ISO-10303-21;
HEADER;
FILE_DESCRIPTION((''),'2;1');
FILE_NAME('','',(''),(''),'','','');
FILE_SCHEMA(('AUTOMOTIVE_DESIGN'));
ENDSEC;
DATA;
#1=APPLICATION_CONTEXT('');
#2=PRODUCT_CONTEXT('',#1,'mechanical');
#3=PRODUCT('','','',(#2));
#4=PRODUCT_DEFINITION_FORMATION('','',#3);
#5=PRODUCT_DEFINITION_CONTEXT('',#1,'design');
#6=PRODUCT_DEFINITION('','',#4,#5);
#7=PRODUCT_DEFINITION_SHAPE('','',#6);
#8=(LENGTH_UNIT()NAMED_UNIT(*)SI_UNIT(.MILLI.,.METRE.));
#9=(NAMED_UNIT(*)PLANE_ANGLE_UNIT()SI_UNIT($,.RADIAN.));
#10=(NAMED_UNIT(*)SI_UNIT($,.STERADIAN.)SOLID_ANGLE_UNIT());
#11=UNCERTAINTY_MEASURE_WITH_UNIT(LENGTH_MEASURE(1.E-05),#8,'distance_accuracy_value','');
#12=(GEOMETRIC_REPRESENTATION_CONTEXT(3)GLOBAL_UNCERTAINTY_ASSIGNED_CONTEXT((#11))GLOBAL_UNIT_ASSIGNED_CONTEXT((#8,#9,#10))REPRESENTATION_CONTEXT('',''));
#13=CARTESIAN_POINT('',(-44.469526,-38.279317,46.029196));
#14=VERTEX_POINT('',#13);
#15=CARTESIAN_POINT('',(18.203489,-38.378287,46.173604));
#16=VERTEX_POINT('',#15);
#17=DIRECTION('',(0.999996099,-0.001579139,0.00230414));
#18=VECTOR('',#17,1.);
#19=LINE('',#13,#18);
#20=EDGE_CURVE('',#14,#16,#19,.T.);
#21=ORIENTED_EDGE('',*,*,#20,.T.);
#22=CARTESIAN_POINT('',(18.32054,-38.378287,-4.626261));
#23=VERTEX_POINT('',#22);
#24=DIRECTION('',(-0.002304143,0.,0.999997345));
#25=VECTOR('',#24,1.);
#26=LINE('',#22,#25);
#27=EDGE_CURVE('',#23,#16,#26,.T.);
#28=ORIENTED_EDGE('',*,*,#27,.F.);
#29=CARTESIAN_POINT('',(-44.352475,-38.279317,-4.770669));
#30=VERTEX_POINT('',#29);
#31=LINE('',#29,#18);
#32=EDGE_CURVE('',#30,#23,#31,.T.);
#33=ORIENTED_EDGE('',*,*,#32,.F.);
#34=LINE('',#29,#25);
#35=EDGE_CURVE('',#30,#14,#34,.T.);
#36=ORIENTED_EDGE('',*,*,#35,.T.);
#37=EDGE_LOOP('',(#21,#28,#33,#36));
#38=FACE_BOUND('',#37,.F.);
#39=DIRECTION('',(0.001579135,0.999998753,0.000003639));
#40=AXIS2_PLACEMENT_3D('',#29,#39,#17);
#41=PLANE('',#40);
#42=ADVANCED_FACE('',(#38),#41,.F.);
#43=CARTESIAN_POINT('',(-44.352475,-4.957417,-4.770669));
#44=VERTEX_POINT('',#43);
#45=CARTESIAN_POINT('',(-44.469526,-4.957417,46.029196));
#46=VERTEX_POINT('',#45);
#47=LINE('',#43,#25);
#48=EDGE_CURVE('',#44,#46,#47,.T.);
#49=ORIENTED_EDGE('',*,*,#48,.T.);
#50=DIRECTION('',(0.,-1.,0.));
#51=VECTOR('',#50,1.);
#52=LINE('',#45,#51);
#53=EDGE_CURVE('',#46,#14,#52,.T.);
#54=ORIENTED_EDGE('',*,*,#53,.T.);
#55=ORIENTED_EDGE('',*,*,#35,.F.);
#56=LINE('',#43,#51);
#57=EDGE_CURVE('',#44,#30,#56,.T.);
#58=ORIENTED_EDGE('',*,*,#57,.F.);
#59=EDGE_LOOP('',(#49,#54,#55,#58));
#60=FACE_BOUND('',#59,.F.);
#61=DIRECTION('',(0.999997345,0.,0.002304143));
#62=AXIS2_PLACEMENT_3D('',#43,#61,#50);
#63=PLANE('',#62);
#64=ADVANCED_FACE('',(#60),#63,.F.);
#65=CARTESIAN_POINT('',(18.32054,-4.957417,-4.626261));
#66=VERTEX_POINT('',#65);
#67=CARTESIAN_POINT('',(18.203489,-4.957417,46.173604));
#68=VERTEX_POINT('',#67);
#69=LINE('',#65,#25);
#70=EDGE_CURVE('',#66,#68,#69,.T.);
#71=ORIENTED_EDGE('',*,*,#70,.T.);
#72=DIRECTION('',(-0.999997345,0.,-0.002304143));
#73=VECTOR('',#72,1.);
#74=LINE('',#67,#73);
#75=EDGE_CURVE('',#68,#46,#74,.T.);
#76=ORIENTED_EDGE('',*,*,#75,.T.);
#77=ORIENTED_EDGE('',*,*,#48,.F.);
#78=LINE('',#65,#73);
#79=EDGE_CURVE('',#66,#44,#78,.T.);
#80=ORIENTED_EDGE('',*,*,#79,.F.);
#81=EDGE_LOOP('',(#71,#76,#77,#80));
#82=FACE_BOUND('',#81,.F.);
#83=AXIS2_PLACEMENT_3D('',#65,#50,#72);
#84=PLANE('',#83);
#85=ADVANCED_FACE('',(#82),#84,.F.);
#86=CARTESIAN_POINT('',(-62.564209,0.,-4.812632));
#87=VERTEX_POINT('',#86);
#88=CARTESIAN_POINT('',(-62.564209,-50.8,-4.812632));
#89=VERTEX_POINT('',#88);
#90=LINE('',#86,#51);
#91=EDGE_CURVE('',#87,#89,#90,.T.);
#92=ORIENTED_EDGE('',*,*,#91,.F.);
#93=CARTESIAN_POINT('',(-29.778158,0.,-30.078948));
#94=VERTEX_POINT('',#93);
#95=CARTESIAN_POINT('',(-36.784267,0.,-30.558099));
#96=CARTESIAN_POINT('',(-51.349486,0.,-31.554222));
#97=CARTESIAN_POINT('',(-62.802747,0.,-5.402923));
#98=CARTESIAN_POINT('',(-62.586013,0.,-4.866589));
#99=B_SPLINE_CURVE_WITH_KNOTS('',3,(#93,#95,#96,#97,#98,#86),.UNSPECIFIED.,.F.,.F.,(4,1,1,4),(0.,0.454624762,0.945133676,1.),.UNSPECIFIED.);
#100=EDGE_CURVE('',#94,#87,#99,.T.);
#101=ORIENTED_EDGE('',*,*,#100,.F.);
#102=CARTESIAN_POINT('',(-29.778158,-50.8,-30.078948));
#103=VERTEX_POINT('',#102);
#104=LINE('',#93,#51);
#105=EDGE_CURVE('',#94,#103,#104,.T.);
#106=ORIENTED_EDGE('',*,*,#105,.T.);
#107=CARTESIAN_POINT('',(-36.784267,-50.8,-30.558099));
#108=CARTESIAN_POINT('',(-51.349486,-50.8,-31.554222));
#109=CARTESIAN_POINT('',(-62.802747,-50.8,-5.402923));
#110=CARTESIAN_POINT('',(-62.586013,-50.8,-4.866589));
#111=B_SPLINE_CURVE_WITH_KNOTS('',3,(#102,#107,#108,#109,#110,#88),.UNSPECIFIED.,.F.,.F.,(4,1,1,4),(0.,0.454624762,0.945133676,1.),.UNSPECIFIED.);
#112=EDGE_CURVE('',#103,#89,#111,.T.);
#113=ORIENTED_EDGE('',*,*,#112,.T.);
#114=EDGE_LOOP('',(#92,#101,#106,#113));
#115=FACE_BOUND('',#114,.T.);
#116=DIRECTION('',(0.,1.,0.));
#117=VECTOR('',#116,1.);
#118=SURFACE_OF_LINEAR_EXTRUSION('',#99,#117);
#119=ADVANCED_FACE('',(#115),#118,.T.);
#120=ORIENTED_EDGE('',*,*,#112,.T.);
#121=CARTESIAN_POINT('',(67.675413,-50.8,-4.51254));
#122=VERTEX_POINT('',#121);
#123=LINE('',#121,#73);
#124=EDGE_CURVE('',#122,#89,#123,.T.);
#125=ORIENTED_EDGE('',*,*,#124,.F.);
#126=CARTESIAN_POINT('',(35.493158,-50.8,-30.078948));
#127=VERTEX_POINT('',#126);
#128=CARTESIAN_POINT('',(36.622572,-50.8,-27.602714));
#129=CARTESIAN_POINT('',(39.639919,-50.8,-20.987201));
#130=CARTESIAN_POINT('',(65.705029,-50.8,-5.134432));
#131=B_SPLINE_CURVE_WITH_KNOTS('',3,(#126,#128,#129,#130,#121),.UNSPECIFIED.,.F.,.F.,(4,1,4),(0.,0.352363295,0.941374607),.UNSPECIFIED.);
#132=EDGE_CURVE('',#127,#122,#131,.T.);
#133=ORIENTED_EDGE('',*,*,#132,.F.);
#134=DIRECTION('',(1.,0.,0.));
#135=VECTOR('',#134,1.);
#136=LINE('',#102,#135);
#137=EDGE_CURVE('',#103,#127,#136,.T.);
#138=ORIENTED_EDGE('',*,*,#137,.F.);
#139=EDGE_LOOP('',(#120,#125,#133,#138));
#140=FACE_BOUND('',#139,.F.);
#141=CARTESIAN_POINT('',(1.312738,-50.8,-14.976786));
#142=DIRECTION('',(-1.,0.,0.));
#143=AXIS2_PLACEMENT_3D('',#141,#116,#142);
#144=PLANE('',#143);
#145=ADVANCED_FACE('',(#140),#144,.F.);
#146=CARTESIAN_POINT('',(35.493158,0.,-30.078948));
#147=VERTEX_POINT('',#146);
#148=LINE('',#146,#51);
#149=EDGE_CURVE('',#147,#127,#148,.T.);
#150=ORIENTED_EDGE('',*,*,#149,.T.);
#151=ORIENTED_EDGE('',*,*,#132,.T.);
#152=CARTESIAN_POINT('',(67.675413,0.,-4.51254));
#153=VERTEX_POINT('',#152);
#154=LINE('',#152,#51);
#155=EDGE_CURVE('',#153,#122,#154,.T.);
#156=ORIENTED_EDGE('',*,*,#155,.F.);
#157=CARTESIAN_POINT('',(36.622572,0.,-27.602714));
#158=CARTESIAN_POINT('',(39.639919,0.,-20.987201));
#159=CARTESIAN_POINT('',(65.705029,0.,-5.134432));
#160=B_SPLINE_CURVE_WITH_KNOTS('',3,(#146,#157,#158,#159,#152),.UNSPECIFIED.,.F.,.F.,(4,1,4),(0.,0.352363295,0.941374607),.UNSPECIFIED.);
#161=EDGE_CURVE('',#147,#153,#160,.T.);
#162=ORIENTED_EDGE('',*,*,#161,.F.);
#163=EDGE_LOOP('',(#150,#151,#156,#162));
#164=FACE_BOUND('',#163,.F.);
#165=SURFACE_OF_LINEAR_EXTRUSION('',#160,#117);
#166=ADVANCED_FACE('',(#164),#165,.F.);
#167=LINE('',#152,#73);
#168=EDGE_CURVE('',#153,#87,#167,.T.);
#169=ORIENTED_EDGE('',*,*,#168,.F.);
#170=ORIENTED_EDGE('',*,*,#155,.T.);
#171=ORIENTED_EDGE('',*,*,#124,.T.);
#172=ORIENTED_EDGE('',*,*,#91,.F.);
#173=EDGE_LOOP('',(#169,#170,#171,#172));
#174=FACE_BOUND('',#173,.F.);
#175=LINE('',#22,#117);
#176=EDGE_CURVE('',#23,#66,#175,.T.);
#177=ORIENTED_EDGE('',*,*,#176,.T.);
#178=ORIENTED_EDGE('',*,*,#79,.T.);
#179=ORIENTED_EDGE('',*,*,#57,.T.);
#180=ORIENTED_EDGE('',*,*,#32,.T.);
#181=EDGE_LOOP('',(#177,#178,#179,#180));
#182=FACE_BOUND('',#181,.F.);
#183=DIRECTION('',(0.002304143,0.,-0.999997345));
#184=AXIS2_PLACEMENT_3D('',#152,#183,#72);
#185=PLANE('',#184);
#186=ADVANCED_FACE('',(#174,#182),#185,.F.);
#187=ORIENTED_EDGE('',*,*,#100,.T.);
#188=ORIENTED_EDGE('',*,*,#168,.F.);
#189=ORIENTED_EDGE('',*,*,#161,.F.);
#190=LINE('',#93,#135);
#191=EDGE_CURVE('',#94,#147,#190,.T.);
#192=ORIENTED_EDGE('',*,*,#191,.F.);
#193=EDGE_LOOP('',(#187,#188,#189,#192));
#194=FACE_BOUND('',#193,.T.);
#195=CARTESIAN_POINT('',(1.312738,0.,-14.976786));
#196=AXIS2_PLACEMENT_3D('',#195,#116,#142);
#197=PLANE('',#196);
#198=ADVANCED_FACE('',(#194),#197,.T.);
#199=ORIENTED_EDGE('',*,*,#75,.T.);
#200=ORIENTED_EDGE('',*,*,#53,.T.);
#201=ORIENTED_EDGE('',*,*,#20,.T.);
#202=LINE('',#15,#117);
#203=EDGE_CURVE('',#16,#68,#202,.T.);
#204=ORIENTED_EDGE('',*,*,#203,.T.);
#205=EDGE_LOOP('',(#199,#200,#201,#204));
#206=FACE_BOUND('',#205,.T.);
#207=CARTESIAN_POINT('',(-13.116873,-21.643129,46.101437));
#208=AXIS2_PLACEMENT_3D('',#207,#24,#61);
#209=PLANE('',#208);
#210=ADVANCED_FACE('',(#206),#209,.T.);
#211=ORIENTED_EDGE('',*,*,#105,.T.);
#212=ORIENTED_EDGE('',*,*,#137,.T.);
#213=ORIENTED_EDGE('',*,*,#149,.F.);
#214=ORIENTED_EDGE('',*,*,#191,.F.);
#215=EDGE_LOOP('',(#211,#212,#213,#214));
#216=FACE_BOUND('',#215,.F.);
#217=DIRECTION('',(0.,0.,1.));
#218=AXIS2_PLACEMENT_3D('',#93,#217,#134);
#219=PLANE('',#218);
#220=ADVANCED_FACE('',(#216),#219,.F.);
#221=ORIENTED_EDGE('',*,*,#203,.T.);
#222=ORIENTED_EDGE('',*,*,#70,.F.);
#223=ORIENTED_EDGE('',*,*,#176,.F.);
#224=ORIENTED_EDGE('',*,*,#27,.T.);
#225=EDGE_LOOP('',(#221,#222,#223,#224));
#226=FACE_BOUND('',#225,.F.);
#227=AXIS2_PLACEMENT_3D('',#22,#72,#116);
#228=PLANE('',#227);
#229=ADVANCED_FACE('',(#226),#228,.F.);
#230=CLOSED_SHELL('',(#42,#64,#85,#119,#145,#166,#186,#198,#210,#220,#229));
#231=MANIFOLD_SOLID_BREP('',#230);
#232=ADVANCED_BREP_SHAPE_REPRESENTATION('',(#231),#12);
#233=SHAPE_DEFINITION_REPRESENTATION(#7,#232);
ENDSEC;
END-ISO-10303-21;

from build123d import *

# Parameters (mm, degrees)
F1_DEPTH = 50.8
F3_DEPTH = 50.8


with BuildPart() as f1:
    # F0 (on Front) → F1 (new body)
    with BuildSketch(Plane.XZ):
        with BuildLine():
            add(Edge.make_bspline(
                [(-29.7781582922, -30.0789475441), (-36.7842670513, -30.5580989467), (-51.3494862757, -31.5542218247), (-62.8027473228, -5.4029227597), (-62.586013184, -4.866588529), (-62.5642091036, -4.8126317561)],
                knots=[0, 0, 0, 0, 0.454624762, 0.9451336756, 1, 1, 1, 1], degree=3))
            Line((-29.7781582922, -30.0789475441), (35.493157804, -30.0789475441))
            add(Edge.make_bspline(
                [(35.493157804, -30.0789475441), (36.6225724098, -27.6027136499), (39.6399191217, -20.9872013658), (65.7050289835, -5.1344318103), (67.6754134293, -4.5125402265)],
                knots=[0, 0, 0, 0, 0.3523632952, 0.9413746066, 0.9413746066, 0.9413746066, 0.9413746066], degree=3))
            Line((67.6754134293, -4.5125402265), (-62.5642091036, -4.8126317561))
        make_face()
    extrude(amount=F1_DEPTH)

    # F2 (on face) → F3 (join)
    with BuildSketch(Plane(origin=(0.0107568049, 0, -4.6684496948), x_dir=(0.9999973455, 0, 0.0023041431), z_dir=(-0.0023041431, 0, 0.9999973455))):
        Polygon((-44.3633496761, -38.2793173194), (18.3098316193, -38.3782871068), (18.3098316193, -4.9574165605), (-44.3633496761, -4.9574165605), align=None)
    extrude(amount=F3_DEPTH)


solid = f1.part
